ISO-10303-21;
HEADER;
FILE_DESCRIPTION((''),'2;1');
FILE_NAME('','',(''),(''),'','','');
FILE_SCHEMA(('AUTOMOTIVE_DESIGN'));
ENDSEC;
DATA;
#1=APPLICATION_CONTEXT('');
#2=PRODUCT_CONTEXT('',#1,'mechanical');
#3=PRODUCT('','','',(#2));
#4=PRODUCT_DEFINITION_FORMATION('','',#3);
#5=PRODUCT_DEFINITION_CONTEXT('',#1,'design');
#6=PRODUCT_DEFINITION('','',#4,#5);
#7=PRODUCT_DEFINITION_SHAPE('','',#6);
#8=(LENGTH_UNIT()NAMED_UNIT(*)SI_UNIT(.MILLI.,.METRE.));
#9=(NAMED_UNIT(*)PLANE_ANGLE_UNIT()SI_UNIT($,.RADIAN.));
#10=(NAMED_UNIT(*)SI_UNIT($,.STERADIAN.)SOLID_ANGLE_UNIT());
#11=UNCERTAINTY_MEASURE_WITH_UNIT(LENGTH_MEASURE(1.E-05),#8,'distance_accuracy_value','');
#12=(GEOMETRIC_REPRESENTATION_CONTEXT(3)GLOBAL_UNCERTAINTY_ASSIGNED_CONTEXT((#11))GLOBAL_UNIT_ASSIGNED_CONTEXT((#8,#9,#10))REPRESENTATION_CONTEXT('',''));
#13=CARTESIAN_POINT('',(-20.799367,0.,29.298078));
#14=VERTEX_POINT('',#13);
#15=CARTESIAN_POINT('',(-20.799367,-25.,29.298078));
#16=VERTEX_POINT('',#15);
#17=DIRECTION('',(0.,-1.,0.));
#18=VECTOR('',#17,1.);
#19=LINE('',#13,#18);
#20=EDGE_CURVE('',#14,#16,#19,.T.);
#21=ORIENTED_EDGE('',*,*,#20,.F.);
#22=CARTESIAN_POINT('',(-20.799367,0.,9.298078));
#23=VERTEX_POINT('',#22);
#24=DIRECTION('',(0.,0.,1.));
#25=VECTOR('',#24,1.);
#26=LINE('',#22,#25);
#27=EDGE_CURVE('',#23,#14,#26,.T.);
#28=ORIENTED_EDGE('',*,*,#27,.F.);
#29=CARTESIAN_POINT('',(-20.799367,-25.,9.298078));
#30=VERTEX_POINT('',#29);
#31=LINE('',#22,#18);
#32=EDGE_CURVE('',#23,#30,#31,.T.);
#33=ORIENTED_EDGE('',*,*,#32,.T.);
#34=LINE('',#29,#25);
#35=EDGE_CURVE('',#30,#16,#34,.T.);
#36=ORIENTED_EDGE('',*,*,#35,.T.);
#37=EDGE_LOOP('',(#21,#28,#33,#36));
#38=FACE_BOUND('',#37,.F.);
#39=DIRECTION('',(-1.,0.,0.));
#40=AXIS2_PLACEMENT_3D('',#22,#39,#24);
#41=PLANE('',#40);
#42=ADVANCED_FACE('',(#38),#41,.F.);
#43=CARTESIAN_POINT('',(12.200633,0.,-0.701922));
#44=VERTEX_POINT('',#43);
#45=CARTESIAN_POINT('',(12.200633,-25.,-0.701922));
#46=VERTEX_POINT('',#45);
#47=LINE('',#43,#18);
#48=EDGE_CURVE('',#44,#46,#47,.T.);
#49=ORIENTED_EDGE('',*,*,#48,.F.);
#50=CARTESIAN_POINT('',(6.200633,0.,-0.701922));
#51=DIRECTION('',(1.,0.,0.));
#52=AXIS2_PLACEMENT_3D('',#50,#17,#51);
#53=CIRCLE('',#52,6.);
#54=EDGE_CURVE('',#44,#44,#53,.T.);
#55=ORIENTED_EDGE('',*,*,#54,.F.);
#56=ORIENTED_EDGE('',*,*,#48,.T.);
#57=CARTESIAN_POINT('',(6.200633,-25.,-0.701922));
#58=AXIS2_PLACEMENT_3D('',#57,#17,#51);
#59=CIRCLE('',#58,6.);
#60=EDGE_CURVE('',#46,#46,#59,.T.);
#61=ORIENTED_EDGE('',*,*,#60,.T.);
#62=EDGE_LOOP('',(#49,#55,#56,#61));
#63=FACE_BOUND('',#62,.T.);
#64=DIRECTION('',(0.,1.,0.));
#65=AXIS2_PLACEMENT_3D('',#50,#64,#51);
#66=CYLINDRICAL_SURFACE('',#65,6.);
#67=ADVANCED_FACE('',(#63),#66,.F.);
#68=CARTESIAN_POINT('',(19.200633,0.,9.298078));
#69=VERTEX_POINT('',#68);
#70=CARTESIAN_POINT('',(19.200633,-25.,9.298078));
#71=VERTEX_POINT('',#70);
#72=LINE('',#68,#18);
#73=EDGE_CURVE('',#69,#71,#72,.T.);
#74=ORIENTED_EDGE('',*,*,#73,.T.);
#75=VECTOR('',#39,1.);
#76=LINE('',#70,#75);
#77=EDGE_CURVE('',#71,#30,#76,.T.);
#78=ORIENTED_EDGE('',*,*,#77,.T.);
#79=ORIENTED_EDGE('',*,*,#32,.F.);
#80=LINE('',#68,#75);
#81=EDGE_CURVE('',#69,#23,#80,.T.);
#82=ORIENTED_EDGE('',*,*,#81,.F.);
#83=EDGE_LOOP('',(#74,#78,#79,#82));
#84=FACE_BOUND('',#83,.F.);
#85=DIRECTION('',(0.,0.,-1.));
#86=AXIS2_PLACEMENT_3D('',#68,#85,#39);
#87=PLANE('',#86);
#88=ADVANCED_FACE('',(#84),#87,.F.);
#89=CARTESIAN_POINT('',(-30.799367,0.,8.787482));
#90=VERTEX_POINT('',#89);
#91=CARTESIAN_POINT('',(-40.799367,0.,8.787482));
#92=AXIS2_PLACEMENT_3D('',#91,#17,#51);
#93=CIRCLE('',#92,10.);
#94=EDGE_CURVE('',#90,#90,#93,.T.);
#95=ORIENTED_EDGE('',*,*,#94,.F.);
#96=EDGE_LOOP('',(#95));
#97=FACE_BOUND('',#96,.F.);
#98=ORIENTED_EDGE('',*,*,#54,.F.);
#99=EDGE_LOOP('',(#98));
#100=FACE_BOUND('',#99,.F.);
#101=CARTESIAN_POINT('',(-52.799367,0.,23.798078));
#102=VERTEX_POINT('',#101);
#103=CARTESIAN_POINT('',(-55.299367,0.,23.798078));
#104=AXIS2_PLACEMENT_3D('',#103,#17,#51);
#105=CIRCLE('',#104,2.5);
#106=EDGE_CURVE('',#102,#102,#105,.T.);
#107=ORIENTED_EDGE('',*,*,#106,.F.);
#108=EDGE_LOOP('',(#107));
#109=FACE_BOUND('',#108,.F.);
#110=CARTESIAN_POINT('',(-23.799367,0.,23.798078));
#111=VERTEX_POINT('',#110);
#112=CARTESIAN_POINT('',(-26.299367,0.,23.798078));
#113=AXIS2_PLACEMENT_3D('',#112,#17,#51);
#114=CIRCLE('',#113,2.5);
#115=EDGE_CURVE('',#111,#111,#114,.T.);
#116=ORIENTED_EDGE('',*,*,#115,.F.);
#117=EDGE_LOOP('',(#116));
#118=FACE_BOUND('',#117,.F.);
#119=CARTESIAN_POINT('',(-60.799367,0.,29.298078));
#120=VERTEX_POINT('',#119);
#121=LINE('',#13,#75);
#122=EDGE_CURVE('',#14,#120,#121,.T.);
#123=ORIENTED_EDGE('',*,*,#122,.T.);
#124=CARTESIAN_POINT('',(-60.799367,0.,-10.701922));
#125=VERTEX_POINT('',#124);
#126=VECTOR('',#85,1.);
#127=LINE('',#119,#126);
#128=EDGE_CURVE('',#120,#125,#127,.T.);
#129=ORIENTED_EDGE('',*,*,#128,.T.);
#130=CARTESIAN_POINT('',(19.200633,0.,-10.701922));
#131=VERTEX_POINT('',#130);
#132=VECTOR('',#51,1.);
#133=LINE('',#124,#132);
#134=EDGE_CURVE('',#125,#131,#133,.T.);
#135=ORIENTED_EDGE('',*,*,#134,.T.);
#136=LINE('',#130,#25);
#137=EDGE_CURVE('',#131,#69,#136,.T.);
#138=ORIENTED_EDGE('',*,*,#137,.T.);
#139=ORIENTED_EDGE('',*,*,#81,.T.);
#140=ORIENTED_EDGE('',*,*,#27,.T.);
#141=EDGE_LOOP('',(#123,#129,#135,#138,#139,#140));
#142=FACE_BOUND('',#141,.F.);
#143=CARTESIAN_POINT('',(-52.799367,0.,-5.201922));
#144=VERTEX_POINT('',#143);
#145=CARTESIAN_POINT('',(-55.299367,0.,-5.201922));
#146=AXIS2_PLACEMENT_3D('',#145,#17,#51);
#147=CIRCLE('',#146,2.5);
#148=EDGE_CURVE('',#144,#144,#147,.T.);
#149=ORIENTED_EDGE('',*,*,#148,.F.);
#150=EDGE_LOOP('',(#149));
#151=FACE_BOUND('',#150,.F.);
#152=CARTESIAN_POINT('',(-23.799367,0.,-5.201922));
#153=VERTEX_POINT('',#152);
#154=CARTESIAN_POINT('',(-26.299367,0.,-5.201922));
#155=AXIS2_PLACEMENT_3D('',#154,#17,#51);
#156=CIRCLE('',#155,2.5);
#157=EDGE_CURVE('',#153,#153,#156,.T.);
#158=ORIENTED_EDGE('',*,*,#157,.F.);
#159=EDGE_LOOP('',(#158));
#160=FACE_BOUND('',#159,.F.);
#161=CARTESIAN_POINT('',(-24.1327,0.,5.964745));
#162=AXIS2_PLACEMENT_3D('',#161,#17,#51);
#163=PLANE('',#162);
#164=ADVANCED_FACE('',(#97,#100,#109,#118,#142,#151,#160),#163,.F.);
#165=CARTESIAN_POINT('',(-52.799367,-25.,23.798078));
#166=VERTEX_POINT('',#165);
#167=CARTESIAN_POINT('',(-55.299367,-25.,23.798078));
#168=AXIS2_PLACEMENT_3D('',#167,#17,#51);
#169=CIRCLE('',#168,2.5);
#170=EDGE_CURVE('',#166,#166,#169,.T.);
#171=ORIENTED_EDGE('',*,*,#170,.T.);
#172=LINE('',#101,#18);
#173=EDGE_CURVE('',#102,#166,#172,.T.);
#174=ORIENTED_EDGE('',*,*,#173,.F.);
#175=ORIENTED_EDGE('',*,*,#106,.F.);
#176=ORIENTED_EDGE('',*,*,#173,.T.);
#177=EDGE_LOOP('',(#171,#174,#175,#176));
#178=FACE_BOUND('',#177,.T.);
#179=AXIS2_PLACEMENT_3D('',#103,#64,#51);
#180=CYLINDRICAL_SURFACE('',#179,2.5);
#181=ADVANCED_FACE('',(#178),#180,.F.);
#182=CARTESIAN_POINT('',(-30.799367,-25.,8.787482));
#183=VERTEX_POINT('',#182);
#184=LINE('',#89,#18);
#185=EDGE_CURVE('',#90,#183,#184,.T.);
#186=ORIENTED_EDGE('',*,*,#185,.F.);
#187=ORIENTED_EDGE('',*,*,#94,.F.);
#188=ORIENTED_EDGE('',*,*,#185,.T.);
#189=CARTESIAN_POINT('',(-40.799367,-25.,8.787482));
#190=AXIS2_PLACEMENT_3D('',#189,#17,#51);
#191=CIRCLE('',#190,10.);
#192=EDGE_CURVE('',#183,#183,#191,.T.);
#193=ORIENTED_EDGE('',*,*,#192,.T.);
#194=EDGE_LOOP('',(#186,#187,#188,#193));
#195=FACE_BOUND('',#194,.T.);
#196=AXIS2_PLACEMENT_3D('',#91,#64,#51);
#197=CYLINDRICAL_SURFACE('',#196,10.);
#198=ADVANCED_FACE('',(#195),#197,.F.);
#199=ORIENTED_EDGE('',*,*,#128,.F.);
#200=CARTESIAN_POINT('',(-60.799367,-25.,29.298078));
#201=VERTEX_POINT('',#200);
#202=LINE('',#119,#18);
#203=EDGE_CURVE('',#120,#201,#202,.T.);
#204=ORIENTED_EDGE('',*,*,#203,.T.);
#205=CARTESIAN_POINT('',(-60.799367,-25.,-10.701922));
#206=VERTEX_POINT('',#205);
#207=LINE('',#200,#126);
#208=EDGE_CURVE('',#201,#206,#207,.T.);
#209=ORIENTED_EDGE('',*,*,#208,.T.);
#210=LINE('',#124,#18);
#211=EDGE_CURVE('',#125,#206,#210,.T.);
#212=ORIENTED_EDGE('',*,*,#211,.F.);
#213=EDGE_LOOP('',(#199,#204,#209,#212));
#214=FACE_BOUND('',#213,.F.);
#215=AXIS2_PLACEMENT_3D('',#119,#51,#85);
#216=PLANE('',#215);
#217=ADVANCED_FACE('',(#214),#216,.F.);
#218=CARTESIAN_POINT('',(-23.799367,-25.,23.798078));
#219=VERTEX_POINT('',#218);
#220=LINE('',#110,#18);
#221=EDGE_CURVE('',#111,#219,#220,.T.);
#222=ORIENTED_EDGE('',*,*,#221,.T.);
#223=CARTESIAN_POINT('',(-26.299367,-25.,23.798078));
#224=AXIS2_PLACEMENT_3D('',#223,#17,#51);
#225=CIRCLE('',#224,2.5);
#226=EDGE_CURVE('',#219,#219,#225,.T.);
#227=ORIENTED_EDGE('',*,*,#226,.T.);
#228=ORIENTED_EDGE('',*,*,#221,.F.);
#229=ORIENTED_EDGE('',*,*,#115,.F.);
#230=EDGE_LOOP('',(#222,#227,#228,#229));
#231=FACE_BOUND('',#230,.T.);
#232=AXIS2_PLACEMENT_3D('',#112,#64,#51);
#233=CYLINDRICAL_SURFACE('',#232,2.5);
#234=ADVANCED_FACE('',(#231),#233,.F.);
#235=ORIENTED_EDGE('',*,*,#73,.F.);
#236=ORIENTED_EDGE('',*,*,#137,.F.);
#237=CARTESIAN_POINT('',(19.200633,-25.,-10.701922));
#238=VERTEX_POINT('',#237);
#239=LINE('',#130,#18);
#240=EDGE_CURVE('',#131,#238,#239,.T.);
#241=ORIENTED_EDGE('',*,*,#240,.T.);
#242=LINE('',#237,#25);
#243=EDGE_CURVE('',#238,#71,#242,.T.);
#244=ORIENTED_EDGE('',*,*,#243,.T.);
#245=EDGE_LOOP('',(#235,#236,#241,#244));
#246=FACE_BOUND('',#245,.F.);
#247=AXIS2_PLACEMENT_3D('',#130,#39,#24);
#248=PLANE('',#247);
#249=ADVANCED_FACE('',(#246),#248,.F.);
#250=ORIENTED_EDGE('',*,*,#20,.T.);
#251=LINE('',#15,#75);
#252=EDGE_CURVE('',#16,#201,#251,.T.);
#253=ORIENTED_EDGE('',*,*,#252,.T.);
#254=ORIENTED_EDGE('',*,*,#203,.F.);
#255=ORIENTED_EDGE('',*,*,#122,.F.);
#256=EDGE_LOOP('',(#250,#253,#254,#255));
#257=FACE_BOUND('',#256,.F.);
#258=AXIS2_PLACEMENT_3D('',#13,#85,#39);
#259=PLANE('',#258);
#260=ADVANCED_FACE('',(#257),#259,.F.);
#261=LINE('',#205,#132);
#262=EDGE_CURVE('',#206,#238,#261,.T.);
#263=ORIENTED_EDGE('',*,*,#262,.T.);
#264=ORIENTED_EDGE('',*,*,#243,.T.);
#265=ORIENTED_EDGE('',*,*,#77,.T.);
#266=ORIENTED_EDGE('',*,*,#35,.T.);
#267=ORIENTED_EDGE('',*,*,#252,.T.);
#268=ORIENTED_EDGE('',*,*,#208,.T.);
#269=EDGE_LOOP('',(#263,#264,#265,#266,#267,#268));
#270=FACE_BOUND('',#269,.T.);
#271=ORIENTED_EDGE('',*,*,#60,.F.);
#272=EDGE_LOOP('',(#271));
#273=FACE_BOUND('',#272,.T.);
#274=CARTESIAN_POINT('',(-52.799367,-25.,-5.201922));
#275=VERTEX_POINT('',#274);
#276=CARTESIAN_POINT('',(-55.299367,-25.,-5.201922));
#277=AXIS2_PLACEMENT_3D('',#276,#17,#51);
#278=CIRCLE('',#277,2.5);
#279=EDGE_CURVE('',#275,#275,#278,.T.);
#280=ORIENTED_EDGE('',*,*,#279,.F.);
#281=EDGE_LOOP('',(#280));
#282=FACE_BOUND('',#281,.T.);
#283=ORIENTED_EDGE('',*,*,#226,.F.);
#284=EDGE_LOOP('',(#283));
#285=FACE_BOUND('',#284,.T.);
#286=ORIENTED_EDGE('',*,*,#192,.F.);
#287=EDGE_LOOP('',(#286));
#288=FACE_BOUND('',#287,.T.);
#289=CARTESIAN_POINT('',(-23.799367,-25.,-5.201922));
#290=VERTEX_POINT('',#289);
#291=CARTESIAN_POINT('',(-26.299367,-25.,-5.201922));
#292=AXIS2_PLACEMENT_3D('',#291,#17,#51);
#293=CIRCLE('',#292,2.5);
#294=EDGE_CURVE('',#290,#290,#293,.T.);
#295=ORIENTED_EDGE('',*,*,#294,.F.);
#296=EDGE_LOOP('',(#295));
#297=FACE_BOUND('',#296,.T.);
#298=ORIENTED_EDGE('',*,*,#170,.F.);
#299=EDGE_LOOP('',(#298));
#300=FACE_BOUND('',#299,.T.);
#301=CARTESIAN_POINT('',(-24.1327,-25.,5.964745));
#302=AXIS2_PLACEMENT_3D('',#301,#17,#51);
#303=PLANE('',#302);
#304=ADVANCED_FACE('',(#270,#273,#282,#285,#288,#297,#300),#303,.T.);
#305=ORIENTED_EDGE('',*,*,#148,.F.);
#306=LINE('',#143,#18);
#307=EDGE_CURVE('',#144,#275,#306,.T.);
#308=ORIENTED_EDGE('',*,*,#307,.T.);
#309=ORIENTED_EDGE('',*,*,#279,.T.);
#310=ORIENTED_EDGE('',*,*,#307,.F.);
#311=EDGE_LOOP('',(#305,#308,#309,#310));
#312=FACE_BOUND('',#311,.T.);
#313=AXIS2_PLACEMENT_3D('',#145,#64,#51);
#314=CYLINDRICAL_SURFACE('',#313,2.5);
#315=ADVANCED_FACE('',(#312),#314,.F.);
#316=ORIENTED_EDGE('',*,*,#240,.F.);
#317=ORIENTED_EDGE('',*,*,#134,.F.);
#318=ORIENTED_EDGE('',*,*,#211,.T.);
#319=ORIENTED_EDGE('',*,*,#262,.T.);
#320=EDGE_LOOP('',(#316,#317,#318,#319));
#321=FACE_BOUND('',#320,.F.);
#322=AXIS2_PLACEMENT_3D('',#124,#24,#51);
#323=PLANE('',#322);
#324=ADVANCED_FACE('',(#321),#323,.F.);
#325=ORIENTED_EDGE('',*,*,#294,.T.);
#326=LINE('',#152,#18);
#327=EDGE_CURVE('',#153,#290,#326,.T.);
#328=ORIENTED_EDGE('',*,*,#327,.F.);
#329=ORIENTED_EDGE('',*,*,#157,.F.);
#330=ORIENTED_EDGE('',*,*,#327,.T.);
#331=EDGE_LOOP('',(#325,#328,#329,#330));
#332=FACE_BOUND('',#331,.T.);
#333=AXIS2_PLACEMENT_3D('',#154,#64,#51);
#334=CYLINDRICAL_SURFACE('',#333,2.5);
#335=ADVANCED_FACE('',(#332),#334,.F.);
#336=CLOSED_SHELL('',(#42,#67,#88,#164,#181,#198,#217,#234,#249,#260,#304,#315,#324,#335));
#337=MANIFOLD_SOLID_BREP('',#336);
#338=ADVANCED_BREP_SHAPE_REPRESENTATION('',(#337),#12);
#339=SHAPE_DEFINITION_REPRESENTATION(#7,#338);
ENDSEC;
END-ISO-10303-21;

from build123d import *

# Parameters (mm, degrees)
F0_R     = 2.5
F0_R_2   = 10
F0_R_3   = 6
F1_DEPTH = 25


with BuildPart() as f1:
    # F0 (on Front) → F1 (new body)
    with BuildSketch(Plane.XZ):
        Polygon((-20.799367, 29.298078), (-60.799367, 29.298078), (-60.799367, -10.701922), (19.200633, -10.701922), (19.200633, 9.298078), (-20.799367, 9.298078), align=None)
        with Locations((-55.299367, -5.201922)):
            Circle(F0_R, mode=Mode.SUBTRACT)
        with Locations((-26.299367, -5.201922)):
            Circle(F0_R, mode=Mode.SUBTRACT)
        with Locations((-40.799367, 8.787482)):
            Circle(F0_R_2, mode=Mode.SUBTRACT)
        with Locations((6.200633, -0.701922)):
            Circle(F0_R_3, mode=Mode.SUBTRACT)
        with Locations((-55.299367, 23.798078)):
            Circle(F0_R, mode=Mode.SUBTRACT)
        with Locations((-26.299367, 23.798078)):
            Circle(F0_R, mode=Mode.SUBTRACT)
    extrude(amount=F1_DEPTH)


solid = f1.part
